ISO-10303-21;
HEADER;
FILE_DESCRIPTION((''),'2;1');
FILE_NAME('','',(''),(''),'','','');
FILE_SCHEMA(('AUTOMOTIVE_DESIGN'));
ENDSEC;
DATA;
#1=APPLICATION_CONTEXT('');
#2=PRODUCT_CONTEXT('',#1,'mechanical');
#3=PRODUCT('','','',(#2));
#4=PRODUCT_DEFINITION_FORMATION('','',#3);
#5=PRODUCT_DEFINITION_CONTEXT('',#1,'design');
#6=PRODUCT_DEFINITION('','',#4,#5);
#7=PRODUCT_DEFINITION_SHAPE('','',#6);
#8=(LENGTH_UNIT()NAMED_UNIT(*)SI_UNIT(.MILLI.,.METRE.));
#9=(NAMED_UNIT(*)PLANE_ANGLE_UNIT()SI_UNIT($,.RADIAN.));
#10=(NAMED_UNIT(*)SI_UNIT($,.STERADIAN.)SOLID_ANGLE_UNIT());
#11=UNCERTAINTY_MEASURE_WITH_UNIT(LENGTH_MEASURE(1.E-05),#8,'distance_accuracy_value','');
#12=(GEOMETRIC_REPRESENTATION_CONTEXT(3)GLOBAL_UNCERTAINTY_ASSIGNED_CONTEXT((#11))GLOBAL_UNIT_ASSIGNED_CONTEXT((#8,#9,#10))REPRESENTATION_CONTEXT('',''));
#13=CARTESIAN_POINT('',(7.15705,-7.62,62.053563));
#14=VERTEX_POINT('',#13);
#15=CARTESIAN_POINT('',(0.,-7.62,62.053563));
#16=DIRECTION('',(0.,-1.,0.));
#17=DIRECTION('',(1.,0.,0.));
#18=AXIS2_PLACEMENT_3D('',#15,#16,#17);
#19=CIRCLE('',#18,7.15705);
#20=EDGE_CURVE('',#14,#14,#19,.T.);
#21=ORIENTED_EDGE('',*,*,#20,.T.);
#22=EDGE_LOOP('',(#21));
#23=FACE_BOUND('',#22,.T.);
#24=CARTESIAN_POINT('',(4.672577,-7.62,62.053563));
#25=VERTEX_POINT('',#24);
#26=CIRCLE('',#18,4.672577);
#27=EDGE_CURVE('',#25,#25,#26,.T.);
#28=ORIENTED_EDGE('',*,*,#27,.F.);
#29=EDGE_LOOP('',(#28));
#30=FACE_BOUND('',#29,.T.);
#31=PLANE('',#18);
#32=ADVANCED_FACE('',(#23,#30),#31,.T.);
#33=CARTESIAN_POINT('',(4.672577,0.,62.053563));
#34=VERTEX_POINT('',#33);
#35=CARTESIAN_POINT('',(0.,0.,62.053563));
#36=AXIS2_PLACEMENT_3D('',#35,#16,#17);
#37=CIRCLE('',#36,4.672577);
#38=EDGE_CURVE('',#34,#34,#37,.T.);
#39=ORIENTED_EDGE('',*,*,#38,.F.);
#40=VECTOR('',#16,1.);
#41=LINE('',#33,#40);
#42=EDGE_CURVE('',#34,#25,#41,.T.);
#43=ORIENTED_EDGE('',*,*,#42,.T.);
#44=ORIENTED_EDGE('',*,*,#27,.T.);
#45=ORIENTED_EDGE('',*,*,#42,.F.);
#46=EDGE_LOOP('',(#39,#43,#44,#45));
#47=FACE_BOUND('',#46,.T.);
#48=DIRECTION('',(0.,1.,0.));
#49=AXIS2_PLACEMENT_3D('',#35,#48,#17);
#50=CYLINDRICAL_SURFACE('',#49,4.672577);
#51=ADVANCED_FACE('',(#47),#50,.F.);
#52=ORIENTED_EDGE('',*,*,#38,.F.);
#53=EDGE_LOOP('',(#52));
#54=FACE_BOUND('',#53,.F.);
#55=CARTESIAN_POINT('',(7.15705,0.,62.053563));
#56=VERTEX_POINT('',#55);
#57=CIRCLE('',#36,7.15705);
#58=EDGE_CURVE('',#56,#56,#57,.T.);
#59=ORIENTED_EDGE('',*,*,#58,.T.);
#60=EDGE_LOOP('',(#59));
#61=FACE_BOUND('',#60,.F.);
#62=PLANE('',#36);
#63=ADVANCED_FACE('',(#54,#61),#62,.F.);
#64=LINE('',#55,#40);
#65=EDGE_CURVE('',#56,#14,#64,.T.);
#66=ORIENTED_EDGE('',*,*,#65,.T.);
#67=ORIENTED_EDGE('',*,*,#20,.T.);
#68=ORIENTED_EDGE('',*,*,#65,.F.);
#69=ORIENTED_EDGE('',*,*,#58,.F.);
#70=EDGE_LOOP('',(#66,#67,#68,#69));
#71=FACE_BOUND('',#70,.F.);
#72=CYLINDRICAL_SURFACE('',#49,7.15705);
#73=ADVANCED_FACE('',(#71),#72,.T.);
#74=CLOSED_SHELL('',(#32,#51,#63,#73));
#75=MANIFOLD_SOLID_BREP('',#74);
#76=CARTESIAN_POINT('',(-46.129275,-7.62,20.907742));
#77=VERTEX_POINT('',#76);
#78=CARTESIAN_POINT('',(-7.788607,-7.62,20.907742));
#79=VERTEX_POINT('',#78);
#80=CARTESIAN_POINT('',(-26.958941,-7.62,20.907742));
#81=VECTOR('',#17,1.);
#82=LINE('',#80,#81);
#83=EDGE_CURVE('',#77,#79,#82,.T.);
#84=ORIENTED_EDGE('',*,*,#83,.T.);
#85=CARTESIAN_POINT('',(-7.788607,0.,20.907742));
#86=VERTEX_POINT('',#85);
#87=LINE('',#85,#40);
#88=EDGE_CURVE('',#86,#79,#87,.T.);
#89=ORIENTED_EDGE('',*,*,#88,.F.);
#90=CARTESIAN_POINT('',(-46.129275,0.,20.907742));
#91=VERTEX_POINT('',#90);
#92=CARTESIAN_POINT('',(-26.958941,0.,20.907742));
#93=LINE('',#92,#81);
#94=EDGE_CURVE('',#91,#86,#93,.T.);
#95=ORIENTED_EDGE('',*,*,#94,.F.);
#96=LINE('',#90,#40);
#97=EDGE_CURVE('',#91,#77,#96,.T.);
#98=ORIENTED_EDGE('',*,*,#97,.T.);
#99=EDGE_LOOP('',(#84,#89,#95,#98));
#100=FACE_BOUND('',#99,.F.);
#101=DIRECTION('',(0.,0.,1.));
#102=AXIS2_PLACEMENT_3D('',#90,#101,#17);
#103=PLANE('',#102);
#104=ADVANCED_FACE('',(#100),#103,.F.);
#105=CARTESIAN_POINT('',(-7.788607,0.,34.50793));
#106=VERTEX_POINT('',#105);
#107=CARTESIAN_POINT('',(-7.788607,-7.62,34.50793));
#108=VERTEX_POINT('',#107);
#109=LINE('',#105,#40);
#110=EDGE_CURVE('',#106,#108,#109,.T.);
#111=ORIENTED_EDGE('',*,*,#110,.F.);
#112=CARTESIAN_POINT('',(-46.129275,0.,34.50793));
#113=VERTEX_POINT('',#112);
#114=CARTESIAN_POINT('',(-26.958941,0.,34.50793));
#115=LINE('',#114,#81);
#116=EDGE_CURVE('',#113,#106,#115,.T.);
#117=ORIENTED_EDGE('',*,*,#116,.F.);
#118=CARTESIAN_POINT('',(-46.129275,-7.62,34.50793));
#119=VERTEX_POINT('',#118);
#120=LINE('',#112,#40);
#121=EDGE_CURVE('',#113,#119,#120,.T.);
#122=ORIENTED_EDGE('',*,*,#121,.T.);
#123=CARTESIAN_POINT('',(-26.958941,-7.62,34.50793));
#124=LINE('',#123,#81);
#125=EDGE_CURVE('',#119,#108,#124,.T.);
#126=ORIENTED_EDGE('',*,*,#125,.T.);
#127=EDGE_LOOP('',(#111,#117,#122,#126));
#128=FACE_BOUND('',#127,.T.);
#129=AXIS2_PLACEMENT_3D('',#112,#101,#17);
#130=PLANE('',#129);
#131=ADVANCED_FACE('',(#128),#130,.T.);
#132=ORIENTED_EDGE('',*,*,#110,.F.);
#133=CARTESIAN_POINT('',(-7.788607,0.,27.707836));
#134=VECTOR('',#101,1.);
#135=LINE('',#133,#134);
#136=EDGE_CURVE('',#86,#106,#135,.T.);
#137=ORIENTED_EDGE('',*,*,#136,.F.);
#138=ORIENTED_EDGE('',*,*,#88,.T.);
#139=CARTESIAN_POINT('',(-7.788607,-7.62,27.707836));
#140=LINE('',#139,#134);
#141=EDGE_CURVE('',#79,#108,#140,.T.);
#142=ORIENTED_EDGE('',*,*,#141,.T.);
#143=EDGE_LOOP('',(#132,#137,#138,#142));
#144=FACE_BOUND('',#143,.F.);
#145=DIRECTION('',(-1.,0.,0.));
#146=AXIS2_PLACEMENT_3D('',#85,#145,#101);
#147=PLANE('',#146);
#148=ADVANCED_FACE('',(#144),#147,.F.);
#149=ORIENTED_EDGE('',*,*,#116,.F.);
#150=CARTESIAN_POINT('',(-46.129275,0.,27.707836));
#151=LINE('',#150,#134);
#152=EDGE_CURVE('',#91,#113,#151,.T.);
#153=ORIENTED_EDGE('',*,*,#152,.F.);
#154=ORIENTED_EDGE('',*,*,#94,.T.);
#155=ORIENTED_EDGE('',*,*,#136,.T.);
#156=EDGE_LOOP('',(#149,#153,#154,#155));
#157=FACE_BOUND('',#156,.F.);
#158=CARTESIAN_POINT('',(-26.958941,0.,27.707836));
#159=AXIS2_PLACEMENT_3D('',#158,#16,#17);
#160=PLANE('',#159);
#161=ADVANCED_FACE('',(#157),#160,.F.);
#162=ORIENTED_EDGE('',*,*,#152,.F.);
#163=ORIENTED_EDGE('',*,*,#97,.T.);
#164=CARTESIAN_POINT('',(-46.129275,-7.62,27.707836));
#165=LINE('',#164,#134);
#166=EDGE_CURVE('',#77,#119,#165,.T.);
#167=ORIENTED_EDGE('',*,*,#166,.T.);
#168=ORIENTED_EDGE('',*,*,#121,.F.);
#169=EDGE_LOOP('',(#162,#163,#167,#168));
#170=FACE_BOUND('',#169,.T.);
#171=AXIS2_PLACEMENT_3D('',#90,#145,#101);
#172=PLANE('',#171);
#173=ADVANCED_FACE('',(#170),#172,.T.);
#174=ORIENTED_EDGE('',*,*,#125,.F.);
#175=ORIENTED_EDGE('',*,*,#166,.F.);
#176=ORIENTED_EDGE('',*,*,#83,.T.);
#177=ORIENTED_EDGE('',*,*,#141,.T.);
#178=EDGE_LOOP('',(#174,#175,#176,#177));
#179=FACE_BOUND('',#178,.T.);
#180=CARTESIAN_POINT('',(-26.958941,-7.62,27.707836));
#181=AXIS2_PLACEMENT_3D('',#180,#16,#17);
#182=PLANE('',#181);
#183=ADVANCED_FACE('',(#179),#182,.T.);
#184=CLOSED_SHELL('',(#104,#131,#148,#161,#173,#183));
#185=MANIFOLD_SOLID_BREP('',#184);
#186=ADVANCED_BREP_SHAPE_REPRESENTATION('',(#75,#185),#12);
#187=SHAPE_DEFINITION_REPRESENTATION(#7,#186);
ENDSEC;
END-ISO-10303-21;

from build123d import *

# Parameters (mm, degrees)
F0_W     = 38.340669
F0_H     = 13.600188
F0_R     = 7.15705
F0_R_2   = 4.672577
F1_DEPTH = 7.62


with BuildPart() as f1:
    # F0 (on Front) → F1 (new body)
    with BuildSketch(Plane.XZ):
        with Locations((-26.958941, 27.707836)):
            Rectangle(F0_W, F0_H)
        with Locations((0, 62.053563)):
            Circle(F0_R)
        with Locations((0, 62.053563)):
            Circle(F0_R_2, mode=Mode.SUBTRACT)
    extrude(amount=F1_DEPTH)


solid = f1.part
